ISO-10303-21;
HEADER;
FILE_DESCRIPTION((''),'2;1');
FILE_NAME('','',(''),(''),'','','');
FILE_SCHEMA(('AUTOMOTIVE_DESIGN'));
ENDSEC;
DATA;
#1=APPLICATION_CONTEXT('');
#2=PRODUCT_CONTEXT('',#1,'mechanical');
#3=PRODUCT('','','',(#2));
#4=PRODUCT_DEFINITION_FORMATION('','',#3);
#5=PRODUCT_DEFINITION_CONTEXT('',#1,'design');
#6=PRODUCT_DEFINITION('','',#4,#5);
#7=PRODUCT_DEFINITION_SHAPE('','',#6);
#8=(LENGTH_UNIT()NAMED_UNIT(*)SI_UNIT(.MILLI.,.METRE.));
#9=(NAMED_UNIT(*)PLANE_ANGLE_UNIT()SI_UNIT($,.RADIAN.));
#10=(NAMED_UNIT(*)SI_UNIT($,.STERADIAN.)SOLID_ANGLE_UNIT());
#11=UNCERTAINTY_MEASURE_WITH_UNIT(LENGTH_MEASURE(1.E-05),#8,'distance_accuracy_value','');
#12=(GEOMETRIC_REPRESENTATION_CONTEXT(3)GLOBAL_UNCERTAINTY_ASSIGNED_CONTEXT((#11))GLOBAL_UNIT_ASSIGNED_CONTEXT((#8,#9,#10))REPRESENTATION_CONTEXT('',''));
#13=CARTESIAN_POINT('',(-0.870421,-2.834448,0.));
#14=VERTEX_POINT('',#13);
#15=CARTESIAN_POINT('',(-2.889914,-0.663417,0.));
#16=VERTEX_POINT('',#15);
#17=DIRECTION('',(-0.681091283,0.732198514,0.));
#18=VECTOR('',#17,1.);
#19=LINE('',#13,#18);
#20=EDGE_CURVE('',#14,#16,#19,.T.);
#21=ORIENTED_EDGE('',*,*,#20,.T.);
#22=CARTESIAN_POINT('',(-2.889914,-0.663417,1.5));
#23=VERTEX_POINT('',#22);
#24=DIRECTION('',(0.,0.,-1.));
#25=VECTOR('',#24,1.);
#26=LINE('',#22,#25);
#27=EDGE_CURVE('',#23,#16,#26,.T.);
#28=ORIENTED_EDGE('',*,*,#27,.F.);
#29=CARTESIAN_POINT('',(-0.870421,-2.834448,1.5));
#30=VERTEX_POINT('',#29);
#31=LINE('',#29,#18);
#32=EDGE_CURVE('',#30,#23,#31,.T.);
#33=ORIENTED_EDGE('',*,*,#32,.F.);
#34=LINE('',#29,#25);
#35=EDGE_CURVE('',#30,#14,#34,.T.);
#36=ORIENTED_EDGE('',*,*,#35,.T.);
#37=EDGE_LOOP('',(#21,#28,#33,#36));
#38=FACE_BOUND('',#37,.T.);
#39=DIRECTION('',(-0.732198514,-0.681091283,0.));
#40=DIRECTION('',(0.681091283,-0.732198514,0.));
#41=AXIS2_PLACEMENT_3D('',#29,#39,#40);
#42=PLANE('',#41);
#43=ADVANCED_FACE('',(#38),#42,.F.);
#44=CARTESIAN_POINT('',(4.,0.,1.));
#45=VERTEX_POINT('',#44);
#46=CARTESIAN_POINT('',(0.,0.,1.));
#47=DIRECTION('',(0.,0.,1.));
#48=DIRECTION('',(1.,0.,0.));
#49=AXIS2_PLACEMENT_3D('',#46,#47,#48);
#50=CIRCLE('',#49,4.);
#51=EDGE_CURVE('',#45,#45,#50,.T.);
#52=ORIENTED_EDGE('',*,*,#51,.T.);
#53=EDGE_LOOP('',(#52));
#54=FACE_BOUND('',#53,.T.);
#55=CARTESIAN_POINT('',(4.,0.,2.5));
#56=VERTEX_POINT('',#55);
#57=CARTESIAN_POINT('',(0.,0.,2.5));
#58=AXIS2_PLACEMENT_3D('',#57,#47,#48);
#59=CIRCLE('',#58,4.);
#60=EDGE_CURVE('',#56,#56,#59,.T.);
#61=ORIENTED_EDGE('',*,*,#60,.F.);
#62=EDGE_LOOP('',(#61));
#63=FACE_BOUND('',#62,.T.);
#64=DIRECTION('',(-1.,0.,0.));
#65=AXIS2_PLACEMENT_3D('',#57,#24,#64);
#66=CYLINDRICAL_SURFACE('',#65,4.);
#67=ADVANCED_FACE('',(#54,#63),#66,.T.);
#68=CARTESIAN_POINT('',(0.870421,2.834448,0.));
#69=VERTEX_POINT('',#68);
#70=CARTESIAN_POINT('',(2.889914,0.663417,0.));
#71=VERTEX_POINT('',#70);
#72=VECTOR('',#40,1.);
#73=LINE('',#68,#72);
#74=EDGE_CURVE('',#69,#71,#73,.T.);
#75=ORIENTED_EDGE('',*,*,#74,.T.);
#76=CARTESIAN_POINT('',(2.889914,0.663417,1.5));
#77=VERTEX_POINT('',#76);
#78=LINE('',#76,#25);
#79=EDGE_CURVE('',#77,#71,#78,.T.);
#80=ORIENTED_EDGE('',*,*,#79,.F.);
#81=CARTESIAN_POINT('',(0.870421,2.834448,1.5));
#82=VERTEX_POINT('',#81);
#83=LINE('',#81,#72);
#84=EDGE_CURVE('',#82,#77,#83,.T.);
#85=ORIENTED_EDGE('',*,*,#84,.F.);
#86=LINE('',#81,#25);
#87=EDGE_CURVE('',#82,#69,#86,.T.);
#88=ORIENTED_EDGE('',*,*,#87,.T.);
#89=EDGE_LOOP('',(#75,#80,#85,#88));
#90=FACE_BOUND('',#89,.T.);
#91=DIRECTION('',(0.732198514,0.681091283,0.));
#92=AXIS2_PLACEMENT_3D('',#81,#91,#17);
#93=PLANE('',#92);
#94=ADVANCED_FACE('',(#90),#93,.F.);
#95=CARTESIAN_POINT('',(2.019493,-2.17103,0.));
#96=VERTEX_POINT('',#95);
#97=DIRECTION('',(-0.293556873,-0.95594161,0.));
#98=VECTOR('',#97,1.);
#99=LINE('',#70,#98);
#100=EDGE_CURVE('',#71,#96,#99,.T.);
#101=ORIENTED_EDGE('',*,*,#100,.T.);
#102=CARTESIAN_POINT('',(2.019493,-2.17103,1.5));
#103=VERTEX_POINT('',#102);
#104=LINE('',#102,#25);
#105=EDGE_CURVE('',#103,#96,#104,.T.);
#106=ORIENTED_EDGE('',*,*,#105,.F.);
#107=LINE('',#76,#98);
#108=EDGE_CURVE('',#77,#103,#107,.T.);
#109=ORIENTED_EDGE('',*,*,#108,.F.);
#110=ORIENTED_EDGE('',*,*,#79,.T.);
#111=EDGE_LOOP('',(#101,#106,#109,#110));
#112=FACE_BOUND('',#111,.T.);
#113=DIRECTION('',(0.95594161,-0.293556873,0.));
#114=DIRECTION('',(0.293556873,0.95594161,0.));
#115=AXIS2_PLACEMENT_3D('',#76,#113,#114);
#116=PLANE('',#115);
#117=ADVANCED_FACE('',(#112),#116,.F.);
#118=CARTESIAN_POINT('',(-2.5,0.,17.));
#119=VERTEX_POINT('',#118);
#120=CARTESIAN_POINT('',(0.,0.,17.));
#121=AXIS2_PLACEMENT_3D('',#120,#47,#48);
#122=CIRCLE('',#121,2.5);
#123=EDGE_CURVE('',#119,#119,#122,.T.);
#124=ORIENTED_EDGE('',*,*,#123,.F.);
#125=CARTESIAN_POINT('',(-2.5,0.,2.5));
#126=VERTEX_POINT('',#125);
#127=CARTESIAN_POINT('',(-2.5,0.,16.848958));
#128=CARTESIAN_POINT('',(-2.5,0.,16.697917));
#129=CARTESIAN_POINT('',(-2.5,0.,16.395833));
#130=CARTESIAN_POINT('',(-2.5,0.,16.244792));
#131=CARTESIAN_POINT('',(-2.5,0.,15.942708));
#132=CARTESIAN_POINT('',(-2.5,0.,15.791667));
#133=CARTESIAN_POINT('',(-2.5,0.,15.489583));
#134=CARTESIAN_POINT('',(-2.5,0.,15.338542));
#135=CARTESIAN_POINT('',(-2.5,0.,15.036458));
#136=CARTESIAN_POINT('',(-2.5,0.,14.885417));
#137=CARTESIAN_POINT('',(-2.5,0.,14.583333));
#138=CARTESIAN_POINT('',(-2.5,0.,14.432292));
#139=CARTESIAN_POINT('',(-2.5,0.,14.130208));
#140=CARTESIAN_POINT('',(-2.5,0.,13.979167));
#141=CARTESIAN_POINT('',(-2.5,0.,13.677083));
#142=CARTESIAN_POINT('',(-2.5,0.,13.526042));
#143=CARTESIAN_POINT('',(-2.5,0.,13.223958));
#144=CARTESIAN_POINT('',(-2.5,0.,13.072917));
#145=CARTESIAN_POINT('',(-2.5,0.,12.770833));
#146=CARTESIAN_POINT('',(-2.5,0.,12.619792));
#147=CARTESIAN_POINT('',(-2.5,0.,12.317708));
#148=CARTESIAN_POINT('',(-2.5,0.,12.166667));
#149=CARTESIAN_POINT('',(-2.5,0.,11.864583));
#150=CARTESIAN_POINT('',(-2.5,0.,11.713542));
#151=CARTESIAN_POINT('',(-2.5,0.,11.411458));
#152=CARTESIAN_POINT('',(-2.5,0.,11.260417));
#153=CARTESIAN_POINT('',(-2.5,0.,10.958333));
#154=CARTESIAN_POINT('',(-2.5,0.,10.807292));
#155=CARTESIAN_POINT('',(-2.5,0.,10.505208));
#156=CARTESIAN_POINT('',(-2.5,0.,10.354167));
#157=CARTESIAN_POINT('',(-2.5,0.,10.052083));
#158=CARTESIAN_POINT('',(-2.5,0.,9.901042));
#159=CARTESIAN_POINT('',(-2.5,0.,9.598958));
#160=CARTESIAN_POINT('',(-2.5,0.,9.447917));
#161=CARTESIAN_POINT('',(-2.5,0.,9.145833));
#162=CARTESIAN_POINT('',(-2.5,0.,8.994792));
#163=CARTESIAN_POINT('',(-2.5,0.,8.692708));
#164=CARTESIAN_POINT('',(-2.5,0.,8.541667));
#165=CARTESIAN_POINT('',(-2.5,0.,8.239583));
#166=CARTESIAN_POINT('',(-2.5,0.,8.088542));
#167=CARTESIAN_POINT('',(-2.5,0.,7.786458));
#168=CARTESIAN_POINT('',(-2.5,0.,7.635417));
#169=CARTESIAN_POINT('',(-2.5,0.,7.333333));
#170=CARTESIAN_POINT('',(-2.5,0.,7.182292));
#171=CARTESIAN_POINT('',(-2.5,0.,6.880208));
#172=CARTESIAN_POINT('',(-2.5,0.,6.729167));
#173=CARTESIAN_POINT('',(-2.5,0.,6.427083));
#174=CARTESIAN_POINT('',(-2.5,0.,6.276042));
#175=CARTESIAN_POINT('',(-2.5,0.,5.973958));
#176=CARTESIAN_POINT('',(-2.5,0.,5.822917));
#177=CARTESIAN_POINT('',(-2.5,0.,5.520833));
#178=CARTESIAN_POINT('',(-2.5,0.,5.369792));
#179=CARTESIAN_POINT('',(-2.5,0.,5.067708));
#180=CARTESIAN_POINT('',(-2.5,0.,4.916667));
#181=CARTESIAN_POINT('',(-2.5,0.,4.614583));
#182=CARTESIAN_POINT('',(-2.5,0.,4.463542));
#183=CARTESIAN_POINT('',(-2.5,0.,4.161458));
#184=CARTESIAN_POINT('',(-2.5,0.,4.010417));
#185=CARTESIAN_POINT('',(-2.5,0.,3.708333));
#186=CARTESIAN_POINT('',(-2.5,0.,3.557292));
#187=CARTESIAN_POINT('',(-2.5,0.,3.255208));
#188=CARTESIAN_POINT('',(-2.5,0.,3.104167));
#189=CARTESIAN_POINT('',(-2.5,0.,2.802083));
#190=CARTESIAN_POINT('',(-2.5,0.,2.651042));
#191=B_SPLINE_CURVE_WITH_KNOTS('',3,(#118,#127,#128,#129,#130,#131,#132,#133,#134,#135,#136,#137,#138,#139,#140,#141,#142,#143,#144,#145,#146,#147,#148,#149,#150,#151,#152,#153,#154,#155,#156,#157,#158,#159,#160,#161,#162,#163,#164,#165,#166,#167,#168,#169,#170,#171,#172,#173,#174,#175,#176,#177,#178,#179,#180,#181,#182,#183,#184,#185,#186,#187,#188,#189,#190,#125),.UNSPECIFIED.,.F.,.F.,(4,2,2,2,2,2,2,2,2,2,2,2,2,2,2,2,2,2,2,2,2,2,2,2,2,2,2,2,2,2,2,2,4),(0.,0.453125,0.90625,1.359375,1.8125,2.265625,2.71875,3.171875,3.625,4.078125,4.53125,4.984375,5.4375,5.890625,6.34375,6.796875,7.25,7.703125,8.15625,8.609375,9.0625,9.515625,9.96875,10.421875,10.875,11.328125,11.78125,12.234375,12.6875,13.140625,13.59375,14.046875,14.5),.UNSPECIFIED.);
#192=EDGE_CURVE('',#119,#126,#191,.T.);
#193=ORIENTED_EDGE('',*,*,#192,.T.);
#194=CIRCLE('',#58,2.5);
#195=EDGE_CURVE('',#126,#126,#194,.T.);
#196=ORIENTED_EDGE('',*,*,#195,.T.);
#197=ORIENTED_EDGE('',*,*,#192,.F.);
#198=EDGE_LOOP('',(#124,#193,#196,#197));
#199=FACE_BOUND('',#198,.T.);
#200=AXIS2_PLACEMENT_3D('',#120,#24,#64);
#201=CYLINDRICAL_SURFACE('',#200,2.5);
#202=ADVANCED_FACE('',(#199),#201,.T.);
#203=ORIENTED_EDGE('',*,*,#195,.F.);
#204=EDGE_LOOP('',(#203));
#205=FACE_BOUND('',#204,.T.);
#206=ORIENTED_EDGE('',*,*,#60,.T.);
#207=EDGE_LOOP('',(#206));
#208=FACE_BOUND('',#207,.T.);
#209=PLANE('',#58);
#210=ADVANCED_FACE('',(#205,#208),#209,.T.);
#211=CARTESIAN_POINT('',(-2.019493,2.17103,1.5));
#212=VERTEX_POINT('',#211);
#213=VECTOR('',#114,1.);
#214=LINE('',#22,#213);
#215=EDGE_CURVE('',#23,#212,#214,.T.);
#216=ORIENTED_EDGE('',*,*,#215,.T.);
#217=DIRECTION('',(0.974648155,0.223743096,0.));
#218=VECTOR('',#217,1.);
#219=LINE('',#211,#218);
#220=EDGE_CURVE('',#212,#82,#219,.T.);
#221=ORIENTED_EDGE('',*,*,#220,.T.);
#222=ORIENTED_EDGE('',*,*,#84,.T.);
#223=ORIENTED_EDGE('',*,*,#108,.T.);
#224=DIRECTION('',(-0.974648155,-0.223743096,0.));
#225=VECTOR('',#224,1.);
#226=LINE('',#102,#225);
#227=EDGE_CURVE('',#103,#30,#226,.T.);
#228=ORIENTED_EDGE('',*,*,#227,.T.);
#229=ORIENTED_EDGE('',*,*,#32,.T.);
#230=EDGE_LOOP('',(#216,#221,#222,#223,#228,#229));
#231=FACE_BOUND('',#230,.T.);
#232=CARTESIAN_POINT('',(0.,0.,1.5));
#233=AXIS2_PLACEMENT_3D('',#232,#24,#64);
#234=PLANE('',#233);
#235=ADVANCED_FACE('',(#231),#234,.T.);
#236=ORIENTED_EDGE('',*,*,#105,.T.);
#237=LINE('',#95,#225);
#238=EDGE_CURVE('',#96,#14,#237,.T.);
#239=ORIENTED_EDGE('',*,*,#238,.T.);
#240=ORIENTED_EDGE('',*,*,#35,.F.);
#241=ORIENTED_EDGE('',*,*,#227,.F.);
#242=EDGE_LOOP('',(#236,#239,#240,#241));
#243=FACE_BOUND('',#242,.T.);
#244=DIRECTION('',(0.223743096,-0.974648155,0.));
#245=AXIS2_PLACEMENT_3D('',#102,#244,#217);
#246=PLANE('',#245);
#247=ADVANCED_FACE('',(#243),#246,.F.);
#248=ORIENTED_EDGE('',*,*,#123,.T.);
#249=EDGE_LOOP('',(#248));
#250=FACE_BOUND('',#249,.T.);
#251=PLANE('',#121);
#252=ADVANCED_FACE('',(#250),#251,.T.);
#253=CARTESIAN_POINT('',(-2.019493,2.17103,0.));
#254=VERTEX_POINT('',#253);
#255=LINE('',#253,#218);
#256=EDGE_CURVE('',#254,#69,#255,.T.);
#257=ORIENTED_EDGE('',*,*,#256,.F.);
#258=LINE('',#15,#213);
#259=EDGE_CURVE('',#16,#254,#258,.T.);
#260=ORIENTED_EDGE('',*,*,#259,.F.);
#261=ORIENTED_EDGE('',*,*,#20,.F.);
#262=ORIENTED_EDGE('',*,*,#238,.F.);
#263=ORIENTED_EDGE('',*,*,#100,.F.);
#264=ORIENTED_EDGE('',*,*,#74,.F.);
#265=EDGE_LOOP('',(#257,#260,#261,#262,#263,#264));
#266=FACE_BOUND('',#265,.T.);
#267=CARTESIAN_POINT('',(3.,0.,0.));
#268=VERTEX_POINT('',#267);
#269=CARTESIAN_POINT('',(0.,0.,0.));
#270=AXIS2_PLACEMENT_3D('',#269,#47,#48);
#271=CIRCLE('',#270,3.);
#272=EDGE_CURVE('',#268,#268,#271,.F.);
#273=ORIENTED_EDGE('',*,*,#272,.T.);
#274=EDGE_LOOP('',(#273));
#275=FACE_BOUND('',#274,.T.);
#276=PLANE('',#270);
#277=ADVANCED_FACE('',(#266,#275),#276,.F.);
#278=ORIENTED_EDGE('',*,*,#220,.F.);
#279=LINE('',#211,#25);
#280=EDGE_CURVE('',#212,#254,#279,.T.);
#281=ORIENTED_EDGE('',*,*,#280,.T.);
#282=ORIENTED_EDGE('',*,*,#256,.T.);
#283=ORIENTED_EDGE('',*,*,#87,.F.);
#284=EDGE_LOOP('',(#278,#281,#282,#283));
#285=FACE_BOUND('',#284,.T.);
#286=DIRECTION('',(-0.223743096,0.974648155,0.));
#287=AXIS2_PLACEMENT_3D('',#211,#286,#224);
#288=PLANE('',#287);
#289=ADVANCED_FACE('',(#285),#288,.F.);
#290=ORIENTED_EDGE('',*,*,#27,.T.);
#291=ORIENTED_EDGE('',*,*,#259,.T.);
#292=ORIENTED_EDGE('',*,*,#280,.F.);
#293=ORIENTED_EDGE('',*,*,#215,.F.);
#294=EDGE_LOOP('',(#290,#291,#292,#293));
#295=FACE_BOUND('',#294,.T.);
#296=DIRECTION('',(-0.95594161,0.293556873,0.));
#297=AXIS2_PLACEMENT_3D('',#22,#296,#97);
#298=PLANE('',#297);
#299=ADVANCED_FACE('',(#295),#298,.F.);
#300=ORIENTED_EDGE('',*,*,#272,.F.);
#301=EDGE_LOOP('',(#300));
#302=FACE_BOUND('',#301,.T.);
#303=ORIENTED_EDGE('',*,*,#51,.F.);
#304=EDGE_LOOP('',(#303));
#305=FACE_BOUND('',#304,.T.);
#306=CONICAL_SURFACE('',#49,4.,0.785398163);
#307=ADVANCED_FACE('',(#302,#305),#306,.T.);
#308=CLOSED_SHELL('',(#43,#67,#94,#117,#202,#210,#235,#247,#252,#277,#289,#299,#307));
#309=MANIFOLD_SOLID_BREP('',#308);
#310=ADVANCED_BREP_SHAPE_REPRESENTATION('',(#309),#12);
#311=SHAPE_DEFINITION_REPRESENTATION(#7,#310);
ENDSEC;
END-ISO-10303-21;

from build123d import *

# Parameters (mm, degrees)
SKETCH2_R           = 4
BOSS_EXTRUDE1_DEPTH = 2.5
SKETCH2_6_R         = 4
SKETCH2_6_R_2       = 2.5
BOSS_EXTRUDE2_DEPTH = 2.5
SKETCH3_R           = 2.5
BOSS_EXTRUDE3_DEPTH = 14.5
CHAMFER2_SIZE       = 1
CUT_EXTRUDE1_DEPTH  = 1.5


with BuildPart() as part:
    # Sketch2 → Boss-Extrude1 (new body)
    with BuildSketch(Plane.XY):
        Circle(SKETCH2_R)
    extrude(amount=BOSS_EXTRUDE1_DEPTH)

    # Sketch2<6> → Boss-Extrude2 (add)
    with BuildSketch(Plane.XY):
        Circle(SKETCH2_6_R)
        Circle(SKETCH2_6_R_2, mode=Mode.SUBTRACT)
    extrude(amount=BOSS_EXTRUDE2_DEPTH)

    # Sketch3 → Boss-Extrude3 (add)
    with BuildSketch(Plane.XY.offset(2.5)):
        with Locations(Location((0, 0, 0), (0, 0, 180))):
            Circle(SKETCH3_R)
    extrude(amount=BOSS_EXTRUDE3_DEPTH)

    # Chamfer2
    chamfer2_edges = [part.edges().sort_by_distance(p)[0] for p in [
        (-4, 0, 0),
    ]]
    chamfer(chamfer2_edges, length=CHAMFER2_SIZE)

    # Sketch4 → Cut-Extrude1 (cut)
    with BuildSketch(Plane(origin=(0, 0, 0), x_dir=(-1, 0, 0), z_dir=(0, 0, -1))):
        Polygon((-0.870420924, 2.834447623), (-2.889914109, 0.66341718), (-2.019493185, -2.171030443), (0.870420924, -2.834447623), (2.889914109, -0.66341718), (2.019493185, 2.171030443), align=None)
    extrude(amount=-CUT_EXTRUDE1_DEPTH, mode=Mode.SUBTRACT)


solid = part.part
